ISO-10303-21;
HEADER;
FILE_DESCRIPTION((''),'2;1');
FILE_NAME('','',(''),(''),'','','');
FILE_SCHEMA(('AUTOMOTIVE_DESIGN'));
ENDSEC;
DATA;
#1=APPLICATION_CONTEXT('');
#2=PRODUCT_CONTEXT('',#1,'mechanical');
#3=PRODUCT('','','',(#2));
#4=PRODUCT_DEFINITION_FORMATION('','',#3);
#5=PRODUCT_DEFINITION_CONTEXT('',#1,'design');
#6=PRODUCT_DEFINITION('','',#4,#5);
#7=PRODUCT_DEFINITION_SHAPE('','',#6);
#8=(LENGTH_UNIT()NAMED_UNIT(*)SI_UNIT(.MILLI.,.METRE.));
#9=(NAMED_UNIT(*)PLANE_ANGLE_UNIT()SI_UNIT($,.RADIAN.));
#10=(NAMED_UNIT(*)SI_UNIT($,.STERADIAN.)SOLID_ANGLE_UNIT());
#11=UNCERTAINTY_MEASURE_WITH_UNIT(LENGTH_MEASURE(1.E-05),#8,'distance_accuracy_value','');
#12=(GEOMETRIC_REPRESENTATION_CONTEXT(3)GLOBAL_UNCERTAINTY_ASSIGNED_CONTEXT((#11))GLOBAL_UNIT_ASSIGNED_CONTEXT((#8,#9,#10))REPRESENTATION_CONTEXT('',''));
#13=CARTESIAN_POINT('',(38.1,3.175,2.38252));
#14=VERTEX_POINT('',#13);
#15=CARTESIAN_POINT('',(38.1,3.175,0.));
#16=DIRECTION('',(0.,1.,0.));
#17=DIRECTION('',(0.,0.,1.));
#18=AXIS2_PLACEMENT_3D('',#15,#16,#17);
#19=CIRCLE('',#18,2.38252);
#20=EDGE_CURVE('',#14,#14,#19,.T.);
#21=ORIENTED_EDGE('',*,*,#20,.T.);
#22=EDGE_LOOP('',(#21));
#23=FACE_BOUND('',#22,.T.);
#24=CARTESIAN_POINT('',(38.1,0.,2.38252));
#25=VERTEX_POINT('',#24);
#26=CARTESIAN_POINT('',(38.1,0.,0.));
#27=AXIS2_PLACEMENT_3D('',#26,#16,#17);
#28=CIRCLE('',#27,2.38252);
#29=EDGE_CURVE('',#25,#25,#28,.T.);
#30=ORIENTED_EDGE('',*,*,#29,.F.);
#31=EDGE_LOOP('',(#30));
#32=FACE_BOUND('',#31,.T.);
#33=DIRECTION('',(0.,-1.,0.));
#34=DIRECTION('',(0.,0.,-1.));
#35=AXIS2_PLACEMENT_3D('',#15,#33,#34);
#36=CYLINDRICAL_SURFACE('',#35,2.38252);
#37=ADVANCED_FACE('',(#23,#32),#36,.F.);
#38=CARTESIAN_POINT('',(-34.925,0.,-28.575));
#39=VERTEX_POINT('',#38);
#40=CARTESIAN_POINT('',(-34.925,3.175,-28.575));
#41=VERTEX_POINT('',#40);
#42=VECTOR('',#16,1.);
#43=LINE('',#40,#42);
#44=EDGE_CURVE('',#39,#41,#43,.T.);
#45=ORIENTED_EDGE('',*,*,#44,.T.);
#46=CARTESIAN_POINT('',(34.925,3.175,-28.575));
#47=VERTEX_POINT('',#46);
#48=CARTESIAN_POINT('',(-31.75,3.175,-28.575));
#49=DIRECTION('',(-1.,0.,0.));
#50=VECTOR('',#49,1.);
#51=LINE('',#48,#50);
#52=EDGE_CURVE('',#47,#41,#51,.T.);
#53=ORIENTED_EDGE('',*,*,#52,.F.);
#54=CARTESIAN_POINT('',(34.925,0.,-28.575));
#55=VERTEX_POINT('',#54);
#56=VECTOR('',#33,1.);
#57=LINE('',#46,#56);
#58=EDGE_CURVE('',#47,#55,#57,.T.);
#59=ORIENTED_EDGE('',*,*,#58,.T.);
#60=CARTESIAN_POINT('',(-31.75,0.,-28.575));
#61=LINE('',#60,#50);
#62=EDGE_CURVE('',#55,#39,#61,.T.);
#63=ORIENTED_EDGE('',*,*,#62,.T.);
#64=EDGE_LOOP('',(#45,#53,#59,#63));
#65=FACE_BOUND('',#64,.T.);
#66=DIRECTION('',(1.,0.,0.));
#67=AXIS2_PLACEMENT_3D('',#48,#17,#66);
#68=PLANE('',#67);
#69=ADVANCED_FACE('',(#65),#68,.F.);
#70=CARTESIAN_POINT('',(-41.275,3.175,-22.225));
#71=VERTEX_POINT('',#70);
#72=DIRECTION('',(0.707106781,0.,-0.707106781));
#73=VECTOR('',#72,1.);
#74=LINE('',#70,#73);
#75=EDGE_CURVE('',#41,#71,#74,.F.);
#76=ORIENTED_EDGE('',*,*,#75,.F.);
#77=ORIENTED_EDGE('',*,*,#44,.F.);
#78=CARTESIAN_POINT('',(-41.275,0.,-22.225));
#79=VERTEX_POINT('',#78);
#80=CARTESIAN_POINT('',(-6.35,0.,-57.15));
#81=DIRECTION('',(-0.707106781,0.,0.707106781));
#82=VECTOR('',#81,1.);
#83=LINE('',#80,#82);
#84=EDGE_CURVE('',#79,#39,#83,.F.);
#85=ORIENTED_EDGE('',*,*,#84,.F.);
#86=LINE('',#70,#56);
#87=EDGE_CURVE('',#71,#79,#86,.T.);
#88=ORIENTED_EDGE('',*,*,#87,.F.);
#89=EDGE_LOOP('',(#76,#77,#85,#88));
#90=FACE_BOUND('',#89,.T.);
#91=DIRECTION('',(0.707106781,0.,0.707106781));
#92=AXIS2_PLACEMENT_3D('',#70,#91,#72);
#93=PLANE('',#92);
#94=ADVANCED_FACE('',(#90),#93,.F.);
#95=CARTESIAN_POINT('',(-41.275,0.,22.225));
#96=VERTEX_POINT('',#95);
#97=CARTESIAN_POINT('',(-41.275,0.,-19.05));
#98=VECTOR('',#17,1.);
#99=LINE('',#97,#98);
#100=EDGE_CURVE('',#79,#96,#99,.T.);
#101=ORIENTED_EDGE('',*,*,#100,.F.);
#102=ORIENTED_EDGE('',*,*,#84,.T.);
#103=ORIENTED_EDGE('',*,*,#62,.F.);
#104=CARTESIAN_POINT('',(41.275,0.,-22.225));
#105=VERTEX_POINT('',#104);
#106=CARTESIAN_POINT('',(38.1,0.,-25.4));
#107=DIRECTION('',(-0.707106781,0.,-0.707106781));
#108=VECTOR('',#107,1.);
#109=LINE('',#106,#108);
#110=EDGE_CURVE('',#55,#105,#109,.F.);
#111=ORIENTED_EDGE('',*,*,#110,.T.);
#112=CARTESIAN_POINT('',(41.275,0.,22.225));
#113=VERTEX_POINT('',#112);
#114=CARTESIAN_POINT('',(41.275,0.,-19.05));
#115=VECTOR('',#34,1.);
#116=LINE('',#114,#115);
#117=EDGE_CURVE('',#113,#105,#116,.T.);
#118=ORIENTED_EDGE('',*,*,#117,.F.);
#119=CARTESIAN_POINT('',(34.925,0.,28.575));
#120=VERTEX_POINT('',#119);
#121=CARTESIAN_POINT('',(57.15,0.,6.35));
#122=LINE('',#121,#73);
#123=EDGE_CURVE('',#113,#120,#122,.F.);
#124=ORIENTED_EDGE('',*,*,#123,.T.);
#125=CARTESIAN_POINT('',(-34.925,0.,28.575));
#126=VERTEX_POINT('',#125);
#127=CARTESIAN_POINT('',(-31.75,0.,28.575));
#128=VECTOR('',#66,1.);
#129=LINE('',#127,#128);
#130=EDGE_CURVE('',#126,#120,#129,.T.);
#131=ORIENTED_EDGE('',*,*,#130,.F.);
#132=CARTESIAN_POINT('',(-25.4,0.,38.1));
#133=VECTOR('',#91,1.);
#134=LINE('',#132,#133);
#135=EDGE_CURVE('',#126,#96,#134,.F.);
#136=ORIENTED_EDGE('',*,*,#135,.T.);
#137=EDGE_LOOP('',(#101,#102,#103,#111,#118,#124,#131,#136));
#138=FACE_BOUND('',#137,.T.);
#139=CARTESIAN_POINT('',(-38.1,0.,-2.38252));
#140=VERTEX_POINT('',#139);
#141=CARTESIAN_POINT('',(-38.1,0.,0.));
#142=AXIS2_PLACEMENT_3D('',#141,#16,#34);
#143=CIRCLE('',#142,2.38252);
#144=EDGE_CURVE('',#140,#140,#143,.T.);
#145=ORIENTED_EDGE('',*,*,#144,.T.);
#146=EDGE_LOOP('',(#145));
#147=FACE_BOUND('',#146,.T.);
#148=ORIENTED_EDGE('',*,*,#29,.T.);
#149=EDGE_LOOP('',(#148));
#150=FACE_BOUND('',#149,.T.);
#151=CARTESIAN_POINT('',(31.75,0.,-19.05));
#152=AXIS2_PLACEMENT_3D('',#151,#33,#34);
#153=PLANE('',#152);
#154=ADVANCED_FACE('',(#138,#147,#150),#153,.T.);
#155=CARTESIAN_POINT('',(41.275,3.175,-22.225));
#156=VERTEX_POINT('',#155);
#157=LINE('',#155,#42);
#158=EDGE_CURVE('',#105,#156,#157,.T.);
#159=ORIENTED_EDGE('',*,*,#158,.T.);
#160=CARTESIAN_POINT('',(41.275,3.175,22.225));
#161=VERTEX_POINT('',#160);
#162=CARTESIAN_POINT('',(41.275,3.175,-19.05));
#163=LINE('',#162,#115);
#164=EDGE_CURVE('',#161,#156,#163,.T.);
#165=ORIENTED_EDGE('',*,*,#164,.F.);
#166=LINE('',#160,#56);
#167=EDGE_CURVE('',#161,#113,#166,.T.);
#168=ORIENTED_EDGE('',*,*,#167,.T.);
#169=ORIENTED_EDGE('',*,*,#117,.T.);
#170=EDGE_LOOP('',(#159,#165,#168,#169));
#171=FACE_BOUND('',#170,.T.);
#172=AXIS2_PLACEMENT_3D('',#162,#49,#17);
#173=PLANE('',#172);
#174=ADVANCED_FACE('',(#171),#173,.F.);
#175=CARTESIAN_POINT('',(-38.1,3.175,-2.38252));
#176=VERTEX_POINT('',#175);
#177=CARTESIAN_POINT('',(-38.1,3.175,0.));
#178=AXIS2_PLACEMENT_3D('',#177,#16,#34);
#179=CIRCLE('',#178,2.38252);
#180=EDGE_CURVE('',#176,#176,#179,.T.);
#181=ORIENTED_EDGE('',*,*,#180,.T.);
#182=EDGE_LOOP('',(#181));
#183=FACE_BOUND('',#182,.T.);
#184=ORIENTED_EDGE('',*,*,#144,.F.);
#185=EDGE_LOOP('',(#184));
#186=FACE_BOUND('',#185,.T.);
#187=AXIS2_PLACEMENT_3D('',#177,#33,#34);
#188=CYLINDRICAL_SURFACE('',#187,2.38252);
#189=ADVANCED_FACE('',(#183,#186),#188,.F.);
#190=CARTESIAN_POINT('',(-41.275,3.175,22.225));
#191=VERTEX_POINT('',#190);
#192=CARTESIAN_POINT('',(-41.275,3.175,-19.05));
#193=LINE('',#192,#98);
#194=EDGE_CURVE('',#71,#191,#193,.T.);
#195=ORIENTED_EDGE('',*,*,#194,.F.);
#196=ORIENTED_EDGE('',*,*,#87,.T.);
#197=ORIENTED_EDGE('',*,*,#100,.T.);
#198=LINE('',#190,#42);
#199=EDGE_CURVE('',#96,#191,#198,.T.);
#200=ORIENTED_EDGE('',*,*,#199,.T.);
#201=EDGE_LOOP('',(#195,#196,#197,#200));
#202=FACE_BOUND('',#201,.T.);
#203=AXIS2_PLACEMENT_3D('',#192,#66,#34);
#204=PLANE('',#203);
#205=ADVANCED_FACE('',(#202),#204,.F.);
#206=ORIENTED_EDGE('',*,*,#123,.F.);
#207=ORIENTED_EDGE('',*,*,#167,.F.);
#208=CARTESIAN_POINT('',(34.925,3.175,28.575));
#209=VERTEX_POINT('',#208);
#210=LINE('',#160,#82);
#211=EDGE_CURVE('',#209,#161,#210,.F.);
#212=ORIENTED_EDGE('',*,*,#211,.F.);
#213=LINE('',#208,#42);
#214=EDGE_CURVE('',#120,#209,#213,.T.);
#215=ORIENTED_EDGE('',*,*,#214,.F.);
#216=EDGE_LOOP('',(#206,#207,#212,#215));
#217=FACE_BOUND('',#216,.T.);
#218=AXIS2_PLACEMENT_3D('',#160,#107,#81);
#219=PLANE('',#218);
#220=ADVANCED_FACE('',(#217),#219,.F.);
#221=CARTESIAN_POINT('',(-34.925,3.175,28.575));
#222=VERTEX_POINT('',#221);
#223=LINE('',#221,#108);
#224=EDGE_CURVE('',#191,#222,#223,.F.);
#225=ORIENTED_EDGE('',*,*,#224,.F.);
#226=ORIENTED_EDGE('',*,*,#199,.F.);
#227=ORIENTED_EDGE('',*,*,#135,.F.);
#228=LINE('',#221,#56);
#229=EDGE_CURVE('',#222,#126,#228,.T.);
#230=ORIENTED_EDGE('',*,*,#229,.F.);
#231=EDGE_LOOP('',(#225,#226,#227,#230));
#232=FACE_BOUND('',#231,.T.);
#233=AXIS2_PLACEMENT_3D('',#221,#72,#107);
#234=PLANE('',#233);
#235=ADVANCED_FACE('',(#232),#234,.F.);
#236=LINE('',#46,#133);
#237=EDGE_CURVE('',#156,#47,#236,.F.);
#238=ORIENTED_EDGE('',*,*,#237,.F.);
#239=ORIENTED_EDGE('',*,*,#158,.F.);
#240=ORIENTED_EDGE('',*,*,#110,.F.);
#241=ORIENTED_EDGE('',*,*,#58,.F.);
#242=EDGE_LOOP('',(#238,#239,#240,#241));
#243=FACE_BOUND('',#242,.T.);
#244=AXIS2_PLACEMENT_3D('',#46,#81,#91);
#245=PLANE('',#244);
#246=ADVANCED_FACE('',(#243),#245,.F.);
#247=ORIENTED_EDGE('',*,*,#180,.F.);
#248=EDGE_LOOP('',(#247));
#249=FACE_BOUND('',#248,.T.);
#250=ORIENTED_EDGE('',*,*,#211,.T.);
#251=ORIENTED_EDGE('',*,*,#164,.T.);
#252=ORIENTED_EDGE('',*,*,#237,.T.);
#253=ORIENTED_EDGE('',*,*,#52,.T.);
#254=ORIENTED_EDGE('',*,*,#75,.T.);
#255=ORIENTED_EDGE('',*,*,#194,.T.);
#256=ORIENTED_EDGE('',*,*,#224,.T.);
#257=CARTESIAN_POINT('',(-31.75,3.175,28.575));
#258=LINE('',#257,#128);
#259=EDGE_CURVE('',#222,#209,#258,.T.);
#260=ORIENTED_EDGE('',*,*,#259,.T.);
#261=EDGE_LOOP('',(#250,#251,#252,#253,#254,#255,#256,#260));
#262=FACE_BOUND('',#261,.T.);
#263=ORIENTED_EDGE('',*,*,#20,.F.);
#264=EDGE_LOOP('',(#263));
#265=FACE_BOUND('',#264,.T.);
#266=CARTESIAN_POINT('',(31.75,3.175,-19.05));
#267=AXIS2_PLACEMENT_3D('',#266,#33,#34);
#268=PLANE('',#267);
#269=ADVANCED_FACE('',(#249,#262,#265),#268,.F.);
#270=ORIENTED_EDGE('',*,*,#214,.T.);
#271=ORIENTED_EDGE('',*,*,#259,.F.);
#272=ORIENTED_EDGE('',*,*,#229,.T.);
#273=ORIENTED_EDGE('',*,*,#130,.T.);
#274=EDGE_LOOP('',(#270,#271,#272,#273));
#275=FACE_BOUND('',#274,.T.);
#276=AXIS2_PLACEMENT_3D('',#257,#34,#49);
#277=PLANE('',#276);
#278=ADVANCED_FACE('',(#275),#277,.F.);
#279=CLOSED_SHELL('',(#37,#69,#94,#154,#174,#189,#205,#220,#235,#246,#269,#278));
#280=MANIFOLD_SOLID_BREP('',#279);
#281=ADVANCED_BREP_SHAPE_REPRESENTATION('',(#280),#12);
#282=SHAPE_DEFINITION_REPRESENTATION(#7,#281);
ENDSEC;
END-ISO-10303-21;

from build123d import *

# Parameters (mm, degrees)
SKETCH1_R      = 2.38252
EXTRUDE1_DEPTH = 3.175
EXTRUDE2_DEPTH = 3.175
CHAMFER1_SIZE  = 6.35


with BuildPart() as part:
    # Sketch1 → Extrude1 (new body)
    with BuildSketch(Plane(origin=(0, 0, 0), x_dir=(1, 0, 0), z_dir=(0, 1, 0))):
        with BuildLine():
            Line((-31.75, 28.575), (31.75, 28.575))
            ThreePointArc((31.75, 28.575), (38.485192091, 25.785192091), (41.275, 19.05))
            Line((41.275, 19.05), (41.275, -19.05))
            ThreePointArc((41.275, -19.05), (38.485192091, -25.785192091), (31.75, -28.575))
            Line((31.75, -28.575), (-31.75, -28.575))
            ThreePointArc((-31.75, -28.575), (-38.485192091, -25.785192091), (-41.275, -19.05))
            Line((-41.275, -19.05), (-41.275, 19.05))
            ThreePointArc((-41.275, 19.05), (-38.485192091, 25.785192091), (-31.75, 28.575))
        make_face()
        with Locations(Location((38.1, 0, 0), (0, 0, 270))):
            Circle(SKETCH1_R, mode=Mode.SUBTRACT)
        with Locations(Location((-38.1, 0, 0), (0, 0, 90))):
            Circle(SKETCH1_R, mode=Mode.SUBTRACT)
    extrude(amount=EXTRUDE1_DEPTH)

    # Sketch2 → Extrude2 (add)
    with BuildSketch(Plane(origin=(0, 0, 0), x_dir=(1, 0, 0), z_dir=(0, 1, 0))):
        Polygon((31.75, 28.575), (41.275, 19.05), (41.275, 28.575), align=None)
        Polygon((-31.75, 28.575), (-41.275, 19.05), (-41.275, 28.575), align=None)
        Polygon((-41.275, -19.05), (-31.75, -28.575), (-41.275, -28.575), align=None)
        Polygon((41.275, -19.05), (31.75, -28.575), (41.275, -28.575), align=None)
    extrude(amount=EXTRUDE2_DEPTH)

    # Chamfer1
    chamfer1_edges = [part.edges().sort_by_distance(p)[0] for p in [
        (41.275, 1.5875, -28.575),
        (-41.275, 1.5875, -28.575),
        (-41.275, 1.5875, 28.575),
        (41.275, 1.5875, 28.575),
    ]]
    chamfer(chamfer1_edges, length=CHAMFER1_SIZE)


solid = part.part
